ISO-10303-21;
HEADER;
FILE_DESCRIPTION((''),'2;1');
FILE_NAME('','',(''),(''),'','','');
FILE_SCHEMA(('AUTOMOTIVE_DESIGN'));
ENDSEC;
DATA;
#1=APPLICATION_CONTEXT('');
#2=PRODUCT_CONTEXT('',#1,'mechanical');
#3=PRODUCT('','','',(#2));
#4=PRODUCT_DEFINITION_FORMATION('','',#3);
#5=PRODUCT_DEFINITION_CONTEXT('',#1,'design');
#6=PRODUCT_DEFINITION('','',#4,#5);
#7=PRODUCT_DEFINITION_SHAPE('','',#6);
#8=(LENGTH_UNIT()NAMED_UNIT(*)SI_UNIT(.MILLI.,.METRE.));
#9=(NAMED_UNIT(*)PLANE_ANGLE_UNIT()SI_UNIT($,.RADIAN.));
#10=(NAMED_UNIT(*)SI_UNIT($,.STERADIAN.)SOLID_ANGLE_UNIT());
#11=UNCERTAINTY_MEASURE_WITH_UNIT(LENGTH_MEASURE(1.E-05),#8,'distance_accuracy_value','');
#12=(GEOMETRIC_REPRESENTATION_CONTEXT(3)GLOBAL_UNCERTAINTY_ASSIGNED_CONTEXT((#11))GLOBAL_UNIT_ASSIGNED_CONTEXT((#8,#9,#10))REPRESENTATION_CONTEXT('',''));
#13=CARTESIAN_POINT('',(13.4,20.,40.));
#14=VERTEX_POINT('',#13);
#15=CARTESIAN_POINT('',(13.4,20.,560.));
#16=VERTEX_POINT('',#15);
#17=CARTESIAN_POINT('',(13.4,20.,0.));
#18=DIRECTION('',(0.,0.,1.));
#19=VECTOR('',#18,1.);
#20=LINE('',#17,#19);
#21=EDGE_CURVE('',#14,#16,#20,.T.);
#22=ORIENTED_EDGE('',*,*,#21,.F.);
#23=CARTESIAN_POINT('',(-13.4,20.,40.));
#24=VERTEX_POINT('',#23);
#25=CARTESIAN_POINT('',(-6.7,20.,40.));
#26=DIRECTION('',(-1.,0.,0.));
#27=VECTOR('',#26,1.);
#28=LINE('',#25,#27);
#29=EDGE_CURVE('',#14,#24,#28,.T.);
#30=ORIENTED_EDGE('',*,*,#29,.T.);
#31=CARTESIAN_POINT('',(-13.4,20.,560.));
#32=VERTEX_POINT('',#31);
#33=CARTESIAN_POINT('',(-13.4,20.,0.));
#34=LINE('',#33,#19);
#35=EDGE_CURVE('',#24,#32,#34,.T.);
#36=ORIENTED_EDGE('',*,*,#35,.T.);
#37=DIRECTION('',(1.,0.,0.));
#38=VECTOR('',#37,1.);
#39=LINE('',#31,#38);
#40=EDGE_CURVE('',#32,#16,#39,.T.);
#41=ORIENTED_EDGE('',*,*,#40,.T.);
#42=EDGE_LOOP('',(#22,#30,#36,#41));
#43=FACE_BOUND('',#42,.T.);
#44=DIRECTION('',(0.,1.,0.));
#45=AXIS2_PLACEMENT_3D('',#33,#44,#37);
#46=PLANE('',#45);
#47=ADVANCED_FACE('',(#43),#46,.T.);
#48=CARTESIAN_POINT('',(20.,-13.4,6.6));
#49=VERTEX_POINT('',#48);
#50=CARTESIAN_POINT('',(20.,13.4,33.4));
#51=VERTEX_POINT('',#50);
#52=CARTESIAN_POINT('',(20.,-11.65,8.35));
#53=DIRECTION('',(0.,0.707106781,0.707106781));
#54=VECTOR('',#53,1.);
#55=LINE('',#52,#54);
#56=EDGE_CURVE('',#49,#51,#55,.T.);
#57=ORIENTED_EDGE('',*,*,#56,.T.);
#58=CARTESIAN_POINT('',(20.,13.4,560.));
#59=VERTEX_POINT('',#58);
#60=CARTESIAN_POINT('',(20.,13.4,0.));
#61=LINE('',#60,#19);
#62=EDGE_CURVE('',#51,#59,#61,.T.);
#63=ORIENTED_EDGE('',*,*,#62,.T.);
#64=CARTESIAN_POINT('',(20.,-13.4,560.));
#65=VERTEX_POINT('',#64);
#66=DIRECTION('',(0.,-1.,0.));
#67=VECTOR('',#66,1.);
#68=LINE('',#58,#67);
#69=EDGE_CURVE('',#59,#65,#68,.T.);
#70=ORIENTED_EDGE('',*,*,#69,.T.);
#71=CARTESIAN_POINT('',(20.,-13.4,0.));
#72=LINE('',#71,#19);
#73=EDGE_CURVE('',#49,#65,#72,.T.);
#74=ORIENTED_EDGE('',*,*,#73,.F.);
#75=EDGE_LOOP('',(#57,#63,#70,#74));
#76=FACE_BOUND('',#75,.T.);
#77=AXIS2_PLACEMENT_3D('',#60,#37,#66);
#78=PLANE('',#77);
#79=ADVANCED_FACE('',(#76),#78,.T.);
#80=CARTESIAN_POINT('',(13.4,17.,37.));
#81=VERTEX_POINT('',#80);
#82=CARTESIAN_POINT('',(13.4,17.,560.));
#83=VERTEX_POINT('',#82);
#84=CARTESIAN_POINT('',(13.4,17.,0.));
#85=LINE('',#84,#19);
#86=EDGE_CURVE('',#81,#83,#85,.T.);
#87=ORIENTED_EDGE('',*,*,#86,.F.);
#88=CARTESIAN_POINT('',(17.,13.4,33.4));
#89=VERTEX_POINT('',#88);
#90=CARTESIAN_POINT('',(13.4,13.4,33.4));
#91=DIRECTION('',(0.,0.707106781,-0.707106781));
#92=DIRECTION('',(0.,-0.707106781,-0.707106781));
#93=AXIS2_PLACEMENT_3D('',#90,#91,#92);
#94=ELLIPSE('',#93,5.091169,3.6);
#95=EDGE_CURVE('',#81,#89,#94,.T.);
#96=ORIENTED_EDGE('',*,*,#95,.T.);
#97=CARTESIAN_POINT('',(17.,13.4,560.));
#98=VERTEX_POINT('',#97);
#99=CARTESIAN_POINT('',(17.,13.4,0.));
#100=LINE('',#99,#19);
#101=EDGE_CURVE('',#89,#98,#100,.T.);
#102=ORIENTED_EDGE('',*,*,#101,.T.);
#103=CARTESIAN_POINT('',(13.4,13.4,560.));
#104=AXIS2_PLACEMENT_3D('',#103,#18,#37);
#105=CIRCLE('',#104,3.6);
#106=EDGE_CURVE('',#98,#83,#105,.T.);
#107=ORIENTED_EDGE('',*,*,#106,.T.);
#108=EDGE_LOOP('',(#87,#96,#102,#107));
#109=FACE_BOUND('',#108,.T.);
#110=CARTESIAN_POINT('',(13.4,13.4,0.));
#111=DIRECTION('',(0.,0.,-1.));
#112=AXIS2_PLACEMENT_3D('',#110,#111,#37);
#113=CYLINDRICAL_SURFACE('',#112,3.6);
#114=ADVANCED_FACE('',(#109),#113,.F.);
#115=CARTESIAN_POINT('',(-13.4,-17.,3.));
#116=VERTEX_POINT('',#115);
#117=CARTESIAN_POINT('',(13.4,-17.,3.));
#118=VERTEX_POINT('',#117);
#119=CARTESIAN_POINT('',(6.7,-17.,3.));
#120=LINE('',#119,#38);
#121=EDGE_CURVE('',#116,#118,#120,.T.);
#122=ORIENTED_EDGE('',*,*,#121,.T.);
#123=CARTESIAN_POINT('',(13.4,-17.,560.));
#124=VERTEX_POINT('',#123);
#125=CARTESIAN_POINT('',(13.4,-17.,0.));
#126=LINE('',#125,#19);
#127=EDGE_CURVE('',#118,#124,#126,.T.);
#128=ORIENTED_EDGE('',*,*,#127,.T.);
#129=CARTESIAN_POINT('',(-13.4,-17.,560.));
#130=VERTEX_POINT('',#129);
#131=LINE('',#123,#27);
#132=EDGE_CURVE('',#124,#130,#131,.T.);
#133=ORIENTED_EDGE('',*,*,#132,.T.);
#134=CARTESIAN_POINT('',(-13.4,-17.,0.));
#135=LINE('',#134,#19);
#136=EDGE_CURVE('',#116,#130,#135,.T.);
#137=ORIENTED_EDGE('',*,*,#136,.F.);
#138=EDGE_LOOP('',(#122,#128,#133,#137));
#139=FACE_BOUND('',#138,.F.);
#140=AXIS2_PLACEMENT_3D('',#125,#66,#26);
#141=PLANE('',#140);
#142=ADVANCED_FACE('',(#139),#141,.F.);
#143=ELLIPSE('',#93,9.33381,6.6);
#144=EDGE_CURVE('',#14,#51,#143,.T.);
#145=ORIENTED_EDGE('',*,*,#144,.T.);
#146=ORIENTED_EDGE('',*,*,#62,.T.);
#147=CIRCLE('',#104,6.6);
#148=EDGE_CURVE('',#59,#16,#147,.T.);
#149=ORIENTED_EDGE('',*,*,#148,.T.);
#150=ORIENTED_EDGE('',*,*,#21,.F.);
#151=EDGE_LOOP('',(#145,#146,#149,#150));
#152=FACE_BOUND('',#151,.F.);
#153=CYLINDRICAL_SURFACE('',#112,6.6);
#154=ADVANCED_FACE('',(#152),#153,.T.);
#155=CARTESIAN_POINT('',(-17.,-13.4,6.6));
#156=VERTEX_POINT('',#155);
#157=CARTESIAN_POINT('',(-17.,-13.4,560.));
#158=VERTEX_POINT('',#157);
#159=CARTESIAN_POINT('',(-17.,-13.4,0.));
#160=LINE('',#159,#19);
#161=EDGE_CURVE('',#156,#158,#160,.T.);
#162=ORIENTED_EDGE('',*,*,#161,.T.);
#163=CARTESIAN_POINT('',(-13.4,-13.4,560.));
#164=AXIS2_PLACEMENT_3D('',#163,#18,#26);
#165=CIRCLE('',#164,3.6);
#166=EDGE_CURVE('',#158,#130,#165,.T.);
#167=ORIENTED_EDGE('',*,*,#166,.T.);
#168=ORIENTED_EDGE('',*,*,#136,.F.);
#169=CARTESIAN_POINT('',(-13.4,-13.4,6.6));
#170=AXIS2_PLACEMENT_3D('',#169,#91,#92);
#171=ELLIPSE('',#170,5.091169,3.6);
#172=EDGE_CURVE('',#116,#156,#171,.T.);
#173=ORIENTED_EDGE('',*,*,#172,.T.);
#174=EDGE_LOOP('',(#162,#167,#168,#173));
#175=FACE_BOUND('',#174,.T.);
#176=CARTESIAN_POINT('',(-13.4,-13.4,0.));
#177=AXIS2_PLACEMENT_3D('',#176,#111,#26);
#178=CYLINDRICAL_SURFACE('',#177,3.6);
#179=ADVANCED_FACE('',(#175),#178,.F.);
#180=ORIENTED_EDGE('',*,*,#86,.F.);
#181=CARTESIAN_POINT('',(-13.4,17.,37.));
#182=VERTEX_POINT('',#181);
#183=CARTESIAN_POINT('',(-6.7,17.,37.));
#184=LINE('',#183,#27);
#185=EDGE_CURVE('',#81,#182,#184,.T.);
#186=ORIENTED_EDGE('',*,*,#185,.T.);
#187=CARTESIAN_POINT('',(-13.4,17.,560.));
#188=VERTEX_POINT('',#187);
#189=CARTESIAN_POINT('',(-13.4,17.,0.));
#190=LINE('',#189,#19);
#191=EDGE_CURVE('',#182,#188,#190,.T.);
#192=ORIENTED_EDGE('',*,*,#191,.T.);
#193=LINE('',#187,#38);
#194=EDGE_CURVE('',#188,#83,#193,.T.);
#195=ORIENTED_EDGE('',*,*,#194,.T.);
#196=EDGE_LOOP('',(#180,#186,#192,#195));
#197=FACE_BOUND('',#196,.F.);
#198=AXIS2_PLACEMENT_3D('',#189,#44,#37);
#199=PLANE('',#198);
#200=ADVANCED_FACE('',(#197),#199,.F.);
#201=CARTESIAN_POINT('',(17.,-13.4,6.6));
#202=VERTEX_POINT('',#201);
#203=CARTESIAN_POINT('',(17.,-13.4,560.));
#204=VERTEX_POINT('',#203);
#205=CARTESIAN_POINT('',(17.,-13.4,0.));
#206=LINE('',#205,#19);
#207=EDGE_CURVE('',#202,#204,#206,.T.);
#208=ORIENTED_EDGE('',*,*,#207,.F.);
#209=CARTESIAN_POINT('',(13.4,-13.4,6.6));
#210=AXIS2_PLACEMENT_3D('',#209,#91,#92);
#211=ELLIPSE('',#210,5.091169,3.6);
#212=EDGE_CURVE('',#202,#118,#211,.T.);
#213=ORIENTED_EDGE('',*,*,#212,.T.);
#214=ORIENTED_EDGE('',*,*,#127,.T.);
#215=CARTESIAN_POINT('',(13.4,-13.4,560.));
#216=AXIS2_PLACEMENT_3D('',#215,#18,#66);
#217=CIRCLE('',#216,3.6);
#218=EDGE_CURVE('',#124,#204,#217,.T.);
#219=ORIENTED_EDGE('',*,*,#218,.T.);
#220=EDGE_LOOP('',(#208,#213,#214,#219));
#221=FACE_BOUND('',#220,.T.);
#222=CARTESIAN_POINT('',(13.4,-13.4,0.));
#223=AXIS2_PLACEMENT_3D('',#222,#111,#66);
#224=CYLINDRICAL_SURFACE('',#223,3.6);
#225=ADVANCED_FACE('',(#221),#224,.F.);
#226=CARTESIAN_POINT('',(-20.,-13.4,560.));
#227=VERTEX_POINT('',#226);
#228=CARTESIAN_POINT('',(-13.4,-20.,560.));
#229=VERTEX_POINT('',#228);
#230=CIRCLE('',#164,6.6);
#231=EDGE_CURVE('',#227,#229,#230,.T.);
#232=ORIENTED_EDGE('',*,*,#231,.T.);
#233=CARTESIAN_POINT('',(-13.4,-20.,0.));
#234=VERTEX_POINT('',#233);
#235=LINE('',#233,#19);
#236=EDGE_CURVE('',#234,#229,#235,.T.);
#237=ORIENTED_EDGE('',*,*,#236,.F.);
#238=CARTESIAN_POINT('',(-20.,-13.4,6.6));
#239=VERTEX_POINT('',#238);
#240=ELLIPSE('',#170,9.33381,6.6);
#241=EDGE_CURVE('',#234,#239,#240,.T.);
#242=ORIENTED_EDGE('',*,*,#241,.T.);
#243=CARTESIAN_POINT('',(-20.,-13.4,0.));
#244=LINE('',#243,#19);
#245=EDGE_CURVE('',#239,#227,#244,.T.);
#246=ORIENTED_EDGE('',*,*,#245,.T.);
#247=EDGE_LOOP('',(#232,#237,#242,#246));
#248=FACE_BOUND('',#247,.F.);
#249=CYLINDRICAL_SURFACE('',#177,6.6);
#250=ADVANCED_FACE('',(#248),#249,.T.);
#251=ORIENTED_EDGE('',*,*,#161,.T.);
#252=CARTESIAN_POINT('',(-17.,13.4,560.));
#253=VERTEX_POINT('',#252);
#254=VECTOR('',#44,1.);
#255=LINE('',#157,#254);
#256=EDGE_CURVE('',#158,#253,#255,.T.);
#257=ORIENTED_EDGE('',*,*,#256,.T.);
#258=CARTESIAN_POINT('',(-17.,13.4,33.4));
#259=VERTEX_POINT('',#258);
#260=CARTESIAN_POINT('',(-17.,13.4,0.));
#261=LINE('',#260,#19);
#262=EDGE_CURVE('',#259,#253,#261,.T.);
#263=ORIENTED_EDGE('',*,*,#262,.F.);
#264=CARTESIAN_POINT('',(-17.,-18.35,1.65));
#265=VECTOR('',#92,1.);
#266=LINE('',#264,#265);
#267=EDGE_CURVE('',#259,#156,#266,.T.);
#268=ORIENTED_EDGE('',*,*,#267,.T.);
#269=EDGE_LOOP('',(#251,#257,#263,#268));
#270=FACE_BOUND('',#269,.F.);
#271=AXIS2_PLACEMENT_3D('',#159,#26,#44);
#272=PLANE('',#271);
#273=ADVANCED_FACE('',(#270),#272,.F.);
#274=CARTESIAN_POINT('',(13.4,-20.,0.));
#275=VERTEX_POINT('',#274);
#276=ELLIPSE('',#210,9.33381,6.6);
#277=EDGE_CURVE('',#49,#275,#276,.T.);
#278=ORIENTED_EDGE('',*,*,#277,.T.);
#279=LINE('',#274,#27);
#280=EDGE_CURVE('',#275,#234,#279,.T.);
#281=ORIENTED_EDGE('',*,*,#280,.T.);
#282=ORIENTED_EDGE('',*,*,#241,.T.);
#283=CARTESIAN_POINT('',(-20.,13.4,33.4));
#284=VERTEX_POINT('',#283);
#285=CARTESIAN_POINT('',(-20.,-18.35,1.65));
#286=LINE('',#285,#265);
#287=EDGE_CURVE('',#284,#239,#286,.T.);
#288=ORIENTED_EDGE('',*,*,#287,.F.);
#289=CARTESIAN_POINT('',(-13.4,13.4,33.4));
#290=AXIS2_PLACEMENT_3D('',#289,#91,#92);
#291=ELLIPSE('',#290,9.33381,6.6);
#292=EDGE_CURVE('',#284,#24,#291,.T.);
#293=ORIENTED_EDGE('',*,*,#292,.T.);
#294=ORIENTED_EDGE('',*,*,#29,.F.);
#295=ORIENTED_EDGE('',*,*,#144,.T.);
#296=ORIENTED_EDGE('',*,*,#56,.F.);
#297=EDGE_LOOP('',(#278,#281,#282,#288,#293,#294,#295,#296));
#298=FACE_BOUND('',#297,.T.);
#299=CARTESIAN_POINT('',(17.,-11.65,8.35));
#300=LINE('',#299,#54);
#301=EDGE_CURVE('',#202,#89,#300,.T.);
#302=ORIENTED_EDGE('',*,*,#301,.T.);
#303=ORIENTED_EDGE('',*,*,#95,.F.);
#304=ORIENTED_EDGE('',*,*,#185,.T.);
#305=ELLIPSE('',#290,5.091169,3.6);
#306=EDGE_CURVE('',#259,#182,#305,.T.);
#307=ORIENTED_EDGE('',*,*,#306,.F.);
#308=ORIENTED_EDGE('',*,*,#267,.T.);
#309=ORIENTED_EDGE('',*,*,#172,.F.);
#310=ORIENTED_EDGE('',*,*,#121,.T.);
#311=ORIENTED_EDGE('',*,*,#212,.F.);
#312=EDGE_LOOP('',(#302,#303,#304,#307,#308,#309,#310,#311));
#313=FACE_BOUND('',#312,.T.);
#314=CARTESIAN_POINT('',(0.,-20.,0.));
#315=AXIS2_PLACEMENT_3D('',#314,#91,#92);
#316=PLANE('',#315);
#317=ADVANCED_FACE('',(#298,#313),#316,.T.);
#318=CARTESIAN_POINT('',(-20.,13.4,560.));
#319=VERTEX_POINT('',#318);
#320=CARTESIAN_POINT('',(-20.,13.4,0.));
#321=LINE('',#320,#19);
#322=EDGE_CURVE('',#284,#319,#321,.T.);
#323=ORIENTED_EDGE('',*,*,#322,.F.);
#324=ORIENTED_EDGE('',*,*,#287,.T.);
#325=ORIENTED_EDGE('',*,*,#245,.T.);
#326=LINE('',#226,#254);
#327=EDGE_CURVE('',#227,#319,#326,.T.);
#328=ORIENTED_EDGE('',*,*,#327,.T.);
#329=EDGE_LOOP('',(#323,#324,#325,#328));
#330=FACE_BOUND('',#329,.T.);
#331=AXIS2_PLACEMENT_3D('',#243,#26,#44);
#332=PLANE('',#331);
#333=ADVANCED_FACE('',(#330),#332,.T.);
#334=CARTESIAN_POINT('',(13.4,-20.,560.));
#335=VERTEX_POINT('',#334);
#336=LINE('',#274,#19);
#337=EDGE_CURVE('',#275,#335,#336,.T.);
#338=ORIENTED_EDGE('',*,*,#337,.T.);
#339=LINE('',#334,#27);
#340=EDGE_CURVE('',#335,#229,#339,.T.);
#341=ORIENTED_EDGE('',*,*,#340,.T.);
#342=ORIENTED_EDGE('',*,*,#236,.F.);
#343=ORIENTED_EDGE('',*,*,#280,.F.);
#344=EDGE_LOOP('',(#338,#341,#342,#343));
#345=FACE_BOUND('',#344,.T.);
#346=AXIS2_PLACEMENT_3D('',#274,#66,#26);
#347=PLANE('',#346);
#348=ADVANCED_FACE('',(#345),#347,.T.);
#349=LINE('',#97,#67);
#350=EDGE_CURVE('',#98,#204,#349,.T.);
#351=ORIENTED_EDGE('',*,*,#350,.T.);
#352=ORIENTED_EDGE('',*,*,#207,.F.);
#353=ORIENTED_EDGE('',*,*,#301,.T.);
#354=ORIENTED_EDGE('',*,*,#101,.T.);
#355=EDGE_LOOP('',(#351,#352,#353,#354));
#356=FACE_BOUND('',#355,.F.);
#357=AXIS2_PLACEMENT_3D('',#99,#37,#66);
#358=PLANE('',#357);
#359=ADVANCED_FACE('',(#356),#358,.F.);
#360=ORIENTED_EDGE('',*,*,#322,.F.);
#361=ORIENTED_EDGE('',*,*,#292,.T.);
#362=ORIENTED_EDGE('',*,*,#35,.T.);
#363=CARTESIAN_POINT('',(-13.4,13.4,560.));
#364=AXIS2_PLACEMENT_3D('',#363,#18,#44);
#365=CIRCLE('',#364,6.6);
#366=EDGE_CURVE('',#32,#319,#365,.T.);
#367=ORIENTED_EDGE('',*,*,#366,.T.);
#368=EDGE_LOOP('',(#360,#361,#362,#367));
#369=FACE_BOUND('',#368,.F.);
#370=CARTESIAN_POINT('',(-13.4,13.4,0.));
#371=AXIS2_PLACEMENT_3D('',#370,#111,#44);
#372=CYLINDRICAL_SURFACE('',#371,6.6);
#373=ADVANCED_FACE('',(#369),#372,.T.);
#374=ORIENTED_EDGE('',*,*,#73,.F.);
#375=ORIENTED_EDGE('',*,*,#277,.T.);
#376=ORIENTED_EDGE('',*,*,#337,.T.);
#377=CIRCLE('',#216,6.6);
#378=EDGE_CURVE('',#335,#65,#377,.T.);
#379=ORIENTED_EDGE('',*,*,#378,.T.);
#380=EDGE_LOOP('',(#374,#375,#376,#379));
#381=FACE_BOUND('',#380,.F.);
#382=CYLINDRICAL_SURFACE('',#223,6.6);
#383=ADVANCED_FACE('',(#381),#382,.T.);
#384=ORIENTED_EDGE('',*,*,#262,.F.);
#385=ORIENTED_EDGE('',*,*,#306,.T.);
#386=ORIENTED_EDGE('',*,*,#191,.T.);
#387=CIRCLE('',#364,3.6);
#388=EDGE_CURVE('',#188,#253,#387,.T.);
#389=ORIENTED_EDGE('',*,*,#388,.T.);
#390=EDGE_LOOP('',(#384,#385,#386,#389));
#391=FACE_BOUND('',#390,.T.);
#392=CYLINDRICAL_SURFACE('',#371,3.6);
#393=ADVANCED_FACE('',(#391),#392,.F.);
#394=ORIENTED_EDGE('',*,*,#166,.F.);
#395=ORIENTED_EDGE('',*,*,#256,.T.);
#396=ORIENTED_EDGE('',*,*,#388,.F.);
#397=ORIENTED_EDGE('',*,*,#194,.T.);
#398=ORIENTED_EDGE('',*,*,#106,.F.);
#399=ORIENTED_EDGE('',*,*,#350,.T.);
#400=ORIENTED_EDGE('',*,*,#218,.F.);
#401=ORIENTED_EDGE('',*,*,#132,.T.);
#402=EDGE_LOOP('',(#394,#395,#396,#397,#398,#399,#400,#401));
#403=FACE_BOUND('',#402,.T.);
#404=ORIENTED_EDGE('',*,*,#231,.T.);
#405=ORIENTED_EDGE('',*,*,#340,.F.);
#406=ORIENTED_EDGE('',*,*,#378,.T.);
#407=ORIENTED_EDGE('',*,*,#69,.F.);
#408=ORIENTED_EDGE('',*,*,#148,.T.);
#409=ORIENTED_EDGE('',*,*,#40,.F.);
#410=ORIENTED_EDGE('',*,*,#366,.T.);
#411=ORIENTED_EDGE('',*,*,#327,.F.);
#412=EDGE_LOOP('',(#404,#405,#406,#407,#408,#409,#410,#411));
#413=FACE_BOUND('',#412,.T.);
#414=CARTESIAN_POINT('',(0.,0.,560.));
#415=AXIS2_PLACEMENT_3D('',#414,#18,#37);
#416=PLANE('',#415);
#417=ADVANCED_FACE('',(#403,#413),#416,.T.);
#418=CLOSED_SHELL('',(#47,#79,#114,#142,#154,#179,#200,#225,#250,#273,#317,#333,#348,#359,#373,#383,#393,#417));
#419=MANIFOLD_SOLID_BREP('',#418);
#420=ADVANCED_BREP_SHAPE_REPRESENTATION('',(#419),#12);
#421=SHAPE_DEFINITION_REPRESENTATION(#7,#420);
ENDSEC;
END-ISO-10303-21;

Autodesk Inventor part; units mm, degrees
ref_plane "Start plane" through (0, 0, 0) normal (0, 0, 1) x (1, 0, 0)
ref_plane "End plane" through (0, 0, 560) normal (0, 0, 1) x (1, 0, 0)
sketch "Sketch" plane through (0, 0, 0) normal (0, 0, 1) x (1, 0, 0)
  line L0 (-20, -13.4) -> (-20, 13.4)
  line L1 (-13.4, 20) -> (13.4, 20)
  line L2 (20, 13.4) -> (20, -13.4)
  line L3 (13.4, -20) -> (-13.4, -20)
  arc A0 (-20, -13.4) -> (-13.4, -20) centre (-13.4, -13.4) ccw
  arc A1 (-13.4, 20) -> (-20, 13.4) centre (-13.4, 13.4) ccw
  arc A2 (20, 13.4) -> (13.4, 20) centre (13.4, 13.4) ccw
  arc A3 (13.4, -20) -> (20, -13.4) centre (13.4, -13.4) ccw
  arc A4 (-13.4, 17) -> (-17, 13.4) centre (-13.4, 13.4) ccw
  line L4 (-13.4, 17) -> (13.4, 17)
  arc A5 (17, 13.4) -> (13.4, 17) centre (13.4, 13.4) ccw
  line L5 (17, 13.4) -> (17, -13.4)
  arc A6 (13.4, -17) -> (17, -13.4) centre (13.4, -13.4) ccw
  line L6 (13.4, -17) -> (-13.4, -17)
  arc A7 (-17, -13.4) -> (-13.4, -17) centre (-13.4, -13.4) ccw
  line L7 (-17, -13.4) -> (-17, 13.4)
  line L8 (0, 29.9137) -> (0, -29.9137) construction
  line L9 (-29.9137, 0) -> (29.9137, 0) construction
  dimension "d7" = 6.6
  dimension "d10" = 40
  dimension "d11" = 40
  dimension "d12" = 3
  dimension "d15" = 20
  dimension "d16" = 20
extrude "Body" add sketch "Sketch" along normal up to surface (560 mm away) from surface at 0
sketch "Sketch3" plane through (0, 0, 0) normal (0, 0, 1) x (1, 0, 0)
  line L0 (0, 0) -> (10, 0)
ref_plane "Work Plane3" through (0, 0, 0) normal (0, -1, 0) x (1, 0, 0)
sketch "Sketch4" plane through (0, 0, 0) normal (0, -1, 0) x (1, 0, 0)
  line L0 (-2, 0) -> (12, 0)
  line L1 (-2, 560) -> (12, 560)
  dimension "d18" = 560
ref_plane "Work Plane4" through (0, -20, 0) normal (0, 0.7071, -0.7071) x (1, 0, 0)
split "Split1" plane through (0, -20, 0) removes the side toward (0, 0.7071, -0.7071)
ref_plane "Work Plane5" through (1302, 597.6, 560) normal (0, 0, 1) x (1, 0, 0)
split "Split2" plane through (1302, 597.6, 560) removes the side toward (0, 0, 1)
equation "\"d7\" = G_IR"
equation "\"d10\" = G_H"
equation "\"d11\" = G_W"
equation "\"d12\" = G_T"
equation "\"d15\" = 0.5 * d10"
equation "\"d16\" = 0.5 * d11"
equation "\"d3\" = G_L"
equation "\"G_W\" = 40"
equation "\"G_H\" = 40"
equation "\"G_T\" = 3"
equation "\"G_IR\" = 6.6"
equation "\"G_L\" = d18"
equation "\"G_OFFSET_START\" = 0"
properties part number "DIN EN 10305-5 - 40 x 40 x 3  - 560" material "Steel, Mild"
